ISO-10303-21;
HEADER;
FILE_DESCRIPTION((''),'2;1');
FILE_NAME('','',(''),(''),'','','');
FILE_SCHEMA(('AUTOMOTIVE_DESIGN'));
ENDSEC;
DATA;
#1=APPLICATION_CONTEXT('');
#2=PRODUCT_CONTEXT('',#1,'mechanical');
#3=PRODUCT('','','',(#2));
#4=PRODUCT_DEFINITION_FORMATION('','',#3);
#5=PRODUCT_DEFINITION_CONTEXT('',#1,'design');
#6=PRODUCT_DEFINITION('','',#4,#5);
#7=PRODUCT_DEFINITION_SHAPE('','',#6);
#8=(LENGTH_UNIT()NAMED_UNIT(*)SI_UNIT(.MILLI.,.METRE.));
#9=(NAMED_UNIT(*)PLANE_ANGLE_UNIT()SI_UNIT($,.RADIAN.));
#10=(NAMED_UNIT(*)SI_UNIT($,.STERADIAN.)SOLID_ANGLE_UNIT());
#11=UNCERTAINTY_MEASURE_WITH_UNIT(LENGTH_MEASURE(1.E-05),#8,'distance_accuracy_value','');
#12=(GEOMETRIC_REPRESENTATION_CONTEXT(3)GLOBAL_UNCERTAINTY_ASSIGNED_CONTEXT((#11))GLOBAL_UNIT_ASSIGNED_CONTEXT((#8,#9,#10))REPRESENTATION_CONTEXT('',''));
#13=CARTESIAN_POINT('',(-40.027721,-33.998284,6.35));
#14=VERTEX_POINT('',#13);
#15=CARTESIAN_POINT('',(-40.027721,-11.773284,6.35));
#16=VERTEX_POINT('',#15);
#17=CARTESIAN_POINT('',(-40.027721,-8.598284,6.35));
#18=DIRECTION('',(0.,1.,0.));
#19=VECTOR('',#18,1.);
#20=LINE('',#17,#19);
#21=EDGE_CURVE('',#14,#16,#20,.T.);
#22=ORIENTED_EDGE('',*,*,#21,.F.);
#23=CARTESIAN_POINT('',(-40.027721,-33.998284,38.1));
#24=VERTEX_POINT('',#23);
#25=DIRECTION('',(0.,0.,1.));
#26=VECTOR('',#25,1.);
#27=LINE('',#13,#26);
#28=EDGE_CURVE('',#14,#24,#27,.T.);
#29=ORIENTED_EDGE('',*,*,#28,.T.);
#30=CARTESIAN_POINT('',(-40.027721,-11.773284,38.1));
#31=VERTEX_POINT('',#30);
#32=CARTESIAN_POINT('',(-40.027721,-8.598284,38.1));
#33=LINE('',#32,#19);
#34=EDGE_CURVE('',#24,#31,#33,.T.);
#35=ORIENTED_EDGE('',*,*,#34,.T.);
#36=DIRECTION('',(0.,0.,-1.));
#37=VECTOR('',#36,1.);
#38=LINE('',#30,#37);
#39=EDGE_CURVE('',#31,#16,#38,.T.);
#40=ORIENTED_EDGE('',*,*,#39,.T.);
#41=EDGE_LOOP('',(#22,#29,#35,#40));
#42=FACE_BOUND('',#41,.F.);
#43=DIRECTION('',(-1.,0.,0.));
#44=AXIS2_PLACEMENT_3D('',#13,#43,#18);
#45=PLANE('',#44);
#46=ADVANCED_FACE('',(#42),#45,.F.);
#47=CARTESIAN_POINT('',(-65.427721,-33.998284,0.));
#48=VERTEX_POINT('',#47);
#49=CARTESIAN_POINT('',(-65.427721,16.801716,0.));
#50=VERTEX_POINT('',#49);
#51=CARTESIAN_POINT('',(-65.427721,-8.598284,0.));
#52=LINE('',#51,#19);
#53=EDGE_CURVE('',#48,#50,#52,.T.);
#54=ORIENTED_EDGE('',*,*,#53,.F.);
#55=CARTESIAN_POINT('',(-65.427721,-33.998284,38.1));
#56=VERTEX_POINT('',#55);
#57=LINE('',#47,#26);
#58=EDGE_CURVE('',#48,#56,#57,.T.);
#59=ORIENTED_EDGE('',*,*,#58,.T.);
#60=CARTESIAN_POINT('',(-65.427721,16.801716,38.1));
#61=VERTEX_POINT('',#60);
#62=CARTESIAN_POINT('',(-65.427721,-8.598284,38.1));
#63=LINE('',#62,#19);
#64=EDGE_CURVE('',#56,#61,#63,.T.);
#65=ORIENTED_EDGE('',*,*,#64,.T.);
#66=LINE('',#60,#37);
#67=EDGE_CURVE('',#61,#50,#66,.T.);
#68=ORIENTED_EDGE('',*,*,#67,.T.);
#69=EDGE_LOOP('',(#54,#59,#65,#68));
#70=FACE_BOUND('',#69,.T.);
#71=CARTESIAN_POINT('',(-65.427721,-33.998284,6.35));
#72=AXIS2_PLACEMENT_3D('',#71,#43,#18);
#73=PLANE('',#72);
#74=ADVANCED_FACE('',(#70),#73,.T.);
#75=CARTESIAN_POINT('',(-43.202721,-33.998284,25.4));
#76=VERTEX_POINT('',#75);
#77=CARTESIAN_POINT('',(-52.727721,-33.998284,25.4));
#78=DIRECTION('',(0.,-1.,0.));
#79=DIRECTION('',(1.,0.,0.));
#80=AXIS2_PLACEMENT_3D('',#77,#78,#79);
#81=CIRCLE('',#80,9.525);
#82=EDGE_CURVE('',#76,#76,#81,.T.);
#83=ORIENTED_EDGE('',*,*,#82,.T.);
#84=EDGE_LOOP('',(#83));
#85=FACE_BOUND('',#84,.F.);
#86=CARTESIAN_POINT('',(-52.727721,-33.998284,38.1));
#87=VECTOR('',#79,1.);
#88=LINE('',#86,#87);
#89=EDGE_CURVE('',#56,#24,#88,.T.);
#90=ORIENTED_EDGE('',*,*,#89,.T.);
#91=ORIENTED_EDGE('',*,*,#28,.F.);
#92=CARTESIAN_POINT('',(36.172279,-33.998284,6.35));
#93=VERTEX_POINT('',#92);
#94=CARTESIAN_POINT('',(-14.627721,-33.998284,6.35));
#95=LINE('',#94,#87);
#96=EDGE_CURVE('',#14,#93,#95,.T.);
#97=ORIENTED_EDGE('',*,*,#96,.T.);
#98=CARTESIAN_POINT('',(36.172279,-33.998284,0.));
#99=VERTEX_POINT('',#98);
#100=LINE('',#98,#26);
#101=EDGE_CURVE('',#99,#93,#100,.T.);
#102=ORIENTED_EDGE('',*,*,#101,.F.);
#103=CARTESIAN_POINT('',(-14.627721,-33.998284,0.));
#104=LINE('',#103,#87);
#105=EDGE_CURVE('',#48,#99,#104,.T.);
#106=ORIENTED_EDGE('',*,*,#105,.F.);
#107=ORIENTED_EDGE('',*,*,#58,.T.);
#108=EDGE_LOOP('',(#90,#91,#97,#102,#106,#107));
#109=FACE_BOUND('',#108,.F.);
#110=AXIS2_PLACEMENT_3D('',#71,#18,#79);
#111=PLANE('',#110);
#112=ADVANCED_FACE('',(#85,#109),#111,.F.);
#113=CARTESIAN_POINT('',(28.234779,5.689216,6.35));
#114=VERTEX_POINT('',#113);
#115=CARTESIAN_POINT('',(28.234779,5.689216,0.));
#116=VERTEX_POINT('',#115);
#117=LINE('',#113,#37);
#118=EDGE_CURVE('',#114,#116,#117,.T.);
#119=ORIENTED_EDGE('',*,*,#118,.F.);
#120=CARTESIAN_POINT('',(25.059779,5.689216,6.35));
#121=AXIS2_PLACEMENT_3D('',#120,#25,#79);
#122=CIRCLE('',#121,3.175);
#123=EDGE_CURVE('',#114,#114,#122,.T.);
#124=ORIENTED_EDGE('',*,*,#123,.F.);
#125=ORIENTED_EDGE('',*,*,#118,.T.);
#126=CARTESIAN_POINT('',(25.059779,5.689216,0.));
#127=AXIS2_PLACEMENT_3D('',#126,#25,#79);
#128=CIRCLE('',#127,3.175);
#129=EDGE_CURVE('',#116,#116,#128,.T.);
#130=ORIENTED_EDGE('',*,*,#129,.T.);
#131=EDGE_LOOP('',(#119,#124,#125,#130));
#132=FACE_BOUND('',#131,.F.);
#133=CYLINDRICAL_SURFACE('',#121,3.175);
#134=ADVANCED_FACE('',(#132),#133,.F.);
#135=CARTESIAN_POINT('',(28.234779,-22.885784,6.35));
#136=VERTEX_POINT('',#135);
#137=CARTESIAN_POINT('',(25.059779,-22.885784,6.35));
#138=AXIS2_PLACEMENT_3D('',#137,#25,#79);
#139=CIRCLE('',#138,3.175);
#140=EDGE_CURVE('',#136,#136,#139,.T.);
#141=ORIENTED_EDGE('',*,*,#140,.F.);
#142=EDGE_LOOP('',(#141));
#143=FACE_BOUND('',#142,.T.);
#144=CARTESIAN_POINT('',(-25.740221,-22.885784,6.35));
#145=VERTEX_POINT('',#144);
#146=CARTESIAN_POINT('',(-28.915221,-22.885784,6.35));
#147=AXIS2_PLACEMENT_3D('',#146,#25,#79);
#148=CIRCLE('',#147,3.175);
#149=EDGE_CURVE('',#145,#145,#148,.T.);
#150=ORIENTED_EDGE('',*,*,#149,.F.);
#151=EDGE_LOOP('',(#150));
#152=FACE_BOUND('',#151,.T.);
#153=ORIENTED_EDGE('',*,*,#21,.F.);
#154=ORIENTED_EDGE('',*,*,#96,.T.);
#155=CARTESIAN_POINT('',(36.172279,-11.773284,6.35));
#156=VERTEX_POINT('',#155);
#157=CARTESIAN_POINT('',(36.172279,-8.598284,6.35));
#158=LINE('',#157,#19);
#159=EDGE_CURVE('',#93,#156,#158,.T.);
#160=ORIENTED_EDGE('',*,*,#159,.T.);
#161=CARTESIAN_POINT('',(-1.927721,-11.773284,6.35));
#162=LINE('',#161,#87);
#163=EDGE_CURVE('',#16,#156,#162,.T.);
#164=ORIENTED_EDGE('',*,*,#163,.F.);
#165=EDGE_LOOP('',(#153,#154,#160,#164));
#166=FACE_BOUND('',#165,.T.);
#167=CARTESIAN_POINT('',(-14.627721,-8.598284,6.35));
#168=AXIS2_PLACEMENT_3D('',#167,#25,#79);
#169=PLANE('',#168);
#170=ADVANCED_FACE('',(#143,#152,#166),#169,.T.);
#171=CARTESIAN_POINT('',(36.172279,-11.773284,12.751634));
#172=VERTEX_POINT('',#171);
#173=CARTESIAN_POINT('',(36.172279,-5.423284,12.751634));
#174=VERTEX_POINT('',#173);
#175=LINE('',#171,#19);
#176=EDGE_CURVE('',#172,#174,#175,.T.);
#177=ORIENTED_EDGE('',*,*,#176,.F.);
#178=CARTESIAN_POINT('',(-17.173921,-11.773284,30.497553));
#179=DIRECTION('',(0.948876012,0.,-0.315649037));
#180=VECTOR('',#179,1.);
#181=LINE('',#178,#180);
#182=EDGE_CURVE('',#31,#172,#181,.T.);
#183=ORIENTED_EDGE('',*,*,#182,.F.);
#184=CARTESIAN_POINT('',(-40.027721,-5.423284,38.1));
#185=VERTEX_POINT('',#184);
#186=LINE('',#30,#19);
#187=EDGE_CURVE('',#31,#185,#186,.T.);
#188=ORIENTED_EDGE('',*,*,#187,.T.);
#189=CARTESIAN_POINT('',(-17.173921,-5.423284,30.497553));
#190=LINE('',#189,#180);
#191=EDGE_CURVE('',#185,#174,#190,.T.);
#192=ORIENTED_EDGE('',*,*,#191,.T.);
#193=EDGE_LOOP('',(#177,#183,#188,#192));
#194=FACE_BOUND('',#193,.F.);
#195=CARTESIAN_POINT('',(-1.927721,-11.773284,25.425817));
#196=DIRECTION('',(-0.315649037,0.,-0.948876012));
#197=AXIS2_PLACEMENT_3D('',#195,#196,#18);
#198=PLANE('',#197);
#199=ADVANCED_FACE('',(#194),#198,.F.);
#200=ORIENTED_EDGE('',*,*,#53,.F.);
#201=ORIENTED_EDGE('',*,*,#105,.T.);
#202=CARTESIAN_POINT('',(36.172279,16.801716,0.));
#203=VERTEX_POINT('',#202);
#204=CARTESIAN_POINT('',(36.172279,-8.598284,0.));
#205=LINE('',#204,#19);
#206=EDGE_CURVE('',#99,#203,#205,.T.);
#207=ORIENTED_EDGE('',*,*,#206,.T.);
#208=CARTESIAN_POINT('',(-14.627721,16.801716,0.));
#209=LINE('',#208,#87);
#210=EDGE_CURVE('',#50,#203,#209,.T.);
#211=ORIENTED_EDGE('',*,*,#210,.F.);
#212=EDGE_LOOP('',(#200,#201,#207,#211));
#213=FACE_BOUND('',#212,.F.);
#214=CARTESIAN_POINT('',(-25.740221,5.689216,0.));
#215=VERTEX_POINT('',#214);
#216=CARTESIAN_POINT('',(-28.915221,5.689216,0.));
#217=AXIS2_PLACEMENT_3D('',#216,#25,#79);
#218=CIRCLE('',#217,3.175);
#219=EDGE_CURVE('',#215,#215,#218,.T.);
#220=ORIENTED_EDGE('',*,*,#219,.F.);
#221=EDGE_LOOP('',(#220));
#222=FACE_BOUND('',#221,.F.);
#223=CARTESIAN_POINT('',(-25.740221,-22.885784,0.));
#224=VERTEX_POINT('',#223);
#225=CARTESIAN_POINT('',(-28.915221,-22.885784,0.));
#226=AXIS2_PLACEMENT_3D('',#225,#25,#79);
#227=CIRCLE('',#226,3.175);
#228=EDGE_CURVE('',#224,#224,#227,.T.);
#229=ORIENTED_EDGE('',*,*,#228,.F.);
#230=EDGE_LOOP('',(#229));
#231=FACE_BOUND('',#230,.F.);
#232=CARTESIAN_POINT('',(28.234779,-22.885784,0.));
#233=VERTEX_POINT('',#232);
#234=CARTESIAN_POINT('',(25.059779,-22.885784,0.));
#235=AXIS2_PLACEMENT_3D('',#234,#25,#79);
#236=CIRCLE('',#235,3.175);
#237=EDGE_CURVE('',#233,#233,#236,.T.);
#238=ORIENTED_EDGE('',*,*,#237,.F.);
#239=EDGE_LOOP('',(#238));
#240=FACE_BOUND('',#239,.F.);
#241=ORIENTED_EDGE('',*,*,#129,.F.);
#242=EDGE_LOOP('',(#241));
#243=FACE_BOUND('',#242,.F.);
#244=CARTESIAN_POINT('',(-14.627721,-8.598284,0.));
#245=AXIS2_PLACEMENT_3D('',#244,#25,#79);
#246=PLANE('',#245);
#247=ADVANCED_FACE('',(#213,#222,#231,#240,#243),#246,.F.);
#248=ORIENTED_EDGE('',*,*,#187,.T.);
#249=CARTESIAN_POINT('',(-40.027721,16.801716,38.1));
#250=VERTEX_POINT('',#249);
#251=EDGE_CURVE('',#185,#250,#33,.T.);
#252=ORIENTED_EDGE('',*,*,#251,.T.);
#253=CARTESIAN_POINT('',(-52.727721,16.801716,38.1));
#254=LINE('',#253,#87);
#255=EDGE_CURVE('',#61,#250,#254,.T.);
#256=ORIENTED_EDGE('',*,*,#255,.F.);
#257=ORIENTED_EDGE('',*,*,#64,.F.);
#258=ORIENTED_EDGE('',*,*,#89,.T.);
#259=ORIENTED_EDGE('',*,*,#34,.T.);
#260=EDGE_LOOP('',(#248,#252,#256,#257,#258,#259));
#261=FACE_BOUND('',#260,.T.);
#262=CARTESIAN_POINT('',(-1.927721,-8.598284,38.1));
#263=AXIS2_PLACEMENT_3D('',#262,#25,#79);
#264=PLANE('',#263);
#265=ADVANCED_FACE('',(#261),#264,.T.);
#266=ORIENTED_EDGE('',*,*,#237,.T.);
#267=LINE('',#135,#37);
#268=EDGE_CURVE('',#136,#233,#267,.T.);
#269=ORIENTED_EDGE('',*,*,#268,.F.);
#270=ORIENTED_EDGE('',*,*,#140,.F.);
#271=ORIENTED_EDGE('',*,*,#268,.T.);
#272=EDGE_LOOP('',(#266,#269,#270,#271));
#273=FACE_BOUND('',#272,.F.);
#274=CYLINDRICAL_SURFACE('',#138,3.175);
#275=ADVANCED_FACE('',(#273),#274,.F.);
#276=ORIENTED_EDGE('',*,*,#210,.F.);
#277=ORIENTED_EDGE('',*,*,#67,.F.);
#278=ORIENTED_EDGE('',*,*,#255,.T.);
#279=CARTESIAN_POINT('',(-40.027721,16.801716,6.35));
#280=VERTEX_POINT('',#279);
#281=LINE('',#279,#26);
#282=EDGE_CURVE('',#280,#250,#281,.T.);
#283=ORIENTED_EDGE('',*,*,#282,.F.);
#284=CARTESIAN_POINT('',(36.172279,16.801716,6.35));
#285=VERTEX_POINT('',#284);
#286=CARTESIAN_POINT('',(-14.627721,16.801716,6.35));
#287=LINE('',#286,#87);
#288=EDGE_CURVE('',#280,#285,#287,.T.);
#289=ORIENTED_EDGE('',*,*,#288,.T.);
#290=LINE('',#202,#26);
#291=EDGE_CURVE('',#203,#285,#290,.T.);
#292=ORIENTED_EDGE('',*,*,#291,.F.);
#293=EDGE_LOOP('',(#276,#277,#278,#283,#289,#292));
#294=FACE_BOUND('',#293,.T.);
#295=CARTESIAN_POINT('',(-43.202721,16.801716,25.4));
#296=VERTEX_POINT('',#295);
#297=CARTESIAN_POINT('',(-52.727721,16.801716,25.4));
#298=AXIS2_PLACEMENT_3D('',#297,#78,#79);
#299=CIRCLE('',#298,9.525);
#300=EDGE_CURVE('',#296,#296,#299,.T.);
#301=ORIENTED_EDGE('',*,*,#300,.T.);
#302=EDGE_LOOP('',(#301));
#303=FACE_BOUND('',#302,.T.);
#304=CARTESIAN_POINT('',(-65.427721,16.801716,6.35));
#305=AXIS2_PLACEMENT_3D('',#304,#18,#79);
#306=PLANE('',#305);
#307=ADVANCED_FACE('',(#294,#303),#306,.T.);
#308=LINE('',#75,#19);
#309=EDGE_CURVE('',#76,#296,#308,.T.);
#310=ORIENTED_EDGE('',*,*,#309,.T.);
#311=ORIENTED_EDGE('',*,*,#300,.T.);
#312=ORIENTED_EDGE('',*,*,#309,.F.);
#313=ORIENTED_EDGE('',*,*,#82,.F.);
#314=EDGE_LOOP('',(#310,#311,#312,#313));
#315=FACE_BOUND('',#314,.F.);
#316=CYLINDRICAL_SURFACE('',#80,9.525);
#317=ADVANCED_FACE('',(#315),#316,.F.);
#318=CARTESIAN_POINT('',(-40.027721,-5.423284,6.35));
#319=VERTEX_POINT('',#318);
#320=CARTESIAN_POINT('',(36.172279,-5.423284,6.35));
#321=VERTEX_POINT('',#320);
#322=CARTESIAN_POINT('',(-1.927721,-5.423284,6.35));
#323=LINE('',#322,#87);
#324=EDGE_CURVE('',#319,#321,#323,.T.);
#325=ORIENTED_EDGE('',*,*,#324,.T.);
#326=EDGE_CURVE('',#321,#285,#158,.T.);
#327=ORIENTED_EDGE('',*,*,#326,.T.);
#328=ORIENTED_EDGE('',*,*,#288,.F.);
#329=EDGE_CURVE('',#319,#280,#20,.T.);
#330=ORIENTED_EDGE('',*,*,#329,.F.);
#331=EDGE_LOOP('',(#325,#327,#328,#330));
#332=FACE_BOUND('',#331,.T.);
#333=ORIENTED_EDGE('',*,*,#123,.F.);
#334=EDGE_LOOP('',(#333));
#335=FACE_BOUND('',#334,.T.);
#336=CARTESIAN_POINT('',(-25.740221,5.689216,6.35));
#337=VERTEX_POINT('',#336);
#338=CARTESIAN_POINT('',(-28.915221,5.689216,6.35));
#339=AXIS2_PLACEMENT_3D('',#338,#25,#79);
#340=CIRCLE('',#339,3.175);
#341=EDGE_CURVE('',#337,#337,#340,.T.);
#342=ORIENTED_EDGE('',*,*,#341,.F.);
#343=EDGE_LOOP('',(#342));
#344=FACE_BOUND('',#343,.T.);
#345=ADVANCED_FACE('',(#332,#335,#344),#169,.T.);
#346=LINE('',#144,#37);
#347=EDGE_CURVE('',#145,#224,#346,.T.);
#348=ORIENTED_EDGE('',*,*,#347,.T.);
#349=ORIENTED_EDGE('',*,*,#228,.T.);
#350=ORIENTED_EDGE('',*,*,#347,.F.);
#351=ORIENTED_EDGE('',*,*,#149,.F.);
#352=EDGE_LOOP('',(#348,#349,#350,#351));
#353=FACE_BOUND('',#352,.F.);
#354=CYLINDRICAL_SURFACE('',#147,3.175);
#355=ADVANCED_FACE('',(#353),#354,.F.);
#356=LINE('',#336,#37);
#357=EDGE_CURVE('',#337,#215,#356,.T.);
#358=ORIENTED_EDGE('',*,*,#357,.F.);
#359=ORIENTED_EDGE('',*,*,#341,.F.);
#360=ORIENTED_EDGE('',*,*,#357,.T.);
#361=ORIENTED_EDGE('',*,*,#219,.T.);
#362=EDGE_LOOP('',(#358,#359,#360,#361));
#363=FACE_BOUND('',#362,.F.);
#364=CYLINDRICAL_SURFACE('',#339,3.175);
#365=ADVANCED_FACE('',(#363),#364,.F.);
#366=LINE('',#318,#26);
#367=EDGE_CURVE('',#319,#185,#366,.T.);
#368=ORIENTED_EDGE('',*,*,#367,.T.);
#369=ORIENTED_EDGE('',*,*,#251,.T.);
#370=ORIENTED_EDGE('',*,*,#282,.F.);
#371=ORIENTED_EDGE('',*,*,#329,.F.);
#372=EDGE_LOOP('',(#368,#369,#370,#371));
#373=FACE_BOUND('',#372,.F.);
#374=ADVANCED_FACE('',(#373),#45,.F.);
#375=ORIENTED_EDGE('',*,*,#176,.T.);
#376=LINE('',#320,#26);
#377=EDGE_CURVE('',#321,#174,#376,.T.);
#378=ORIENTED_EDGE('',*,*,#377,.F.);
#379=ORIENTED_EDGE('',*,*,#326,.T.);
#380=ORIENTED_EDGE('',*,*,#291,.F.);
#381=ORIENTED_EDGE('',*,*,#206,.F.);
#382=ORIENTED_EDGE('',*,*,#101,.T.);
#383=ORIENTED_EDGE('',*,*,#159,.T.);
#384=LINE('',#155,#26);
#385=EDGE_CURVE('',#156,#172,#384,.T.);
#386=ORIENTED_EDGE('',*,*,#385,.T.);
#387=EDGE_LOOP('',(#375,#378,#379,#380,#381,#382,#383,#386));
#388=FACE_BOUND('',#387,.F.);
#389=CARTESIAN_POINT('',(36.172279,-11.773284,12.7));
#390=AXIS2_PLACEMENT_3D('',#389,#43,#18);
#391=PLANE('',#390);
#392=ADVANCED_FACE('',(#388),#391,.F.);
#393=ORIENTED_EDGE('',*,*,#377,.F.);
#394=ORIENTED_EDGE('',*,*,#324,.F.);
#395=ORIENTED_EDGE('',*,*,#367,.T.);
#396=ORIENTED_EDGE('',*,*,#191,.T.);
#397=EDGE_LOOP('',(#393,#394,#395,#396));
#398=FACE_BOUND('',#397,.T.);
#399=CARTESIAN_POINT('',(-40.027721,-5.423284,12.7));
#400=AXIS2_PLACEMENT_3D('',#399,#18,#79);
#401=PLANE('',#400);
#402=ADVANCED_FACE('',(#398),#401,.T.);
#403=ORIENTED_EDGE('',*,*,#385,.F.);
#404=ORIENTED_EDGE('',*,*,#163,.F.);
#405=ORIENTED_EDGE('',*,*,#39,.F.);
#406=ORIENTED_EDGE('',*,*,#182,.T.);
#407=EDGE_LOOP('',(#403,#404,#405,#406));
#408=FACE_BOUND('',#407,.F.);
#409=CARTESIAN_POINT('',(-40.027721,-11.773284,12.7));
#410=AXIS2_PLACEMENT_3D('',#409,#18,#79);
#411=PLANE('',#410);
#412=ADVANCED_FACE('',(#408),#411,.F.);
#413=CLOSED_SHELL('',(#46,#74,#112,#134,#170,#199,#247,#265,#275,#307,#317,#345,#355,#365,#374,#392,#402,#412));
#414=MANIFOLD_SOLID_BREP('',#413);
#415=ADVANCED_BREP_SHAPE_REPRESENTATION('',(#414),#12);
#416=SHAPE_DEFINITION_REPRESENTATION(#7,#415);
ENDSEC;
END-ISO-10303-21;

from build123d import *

# Parameters (mm, degrees)
F0_W      = 101.6
F0_H      = 50.8
F1_DEPTH  = 6.35
F2_W      = 25.4
F2_H      = 50.8
F3_DEPTH  = 31.75
F4_R      = 9.525
F5_DEPTH  = 50.801
F6_W      = 76.2
F6_H      = 6.35
F7_DEPTH  = 6.35
F8_DEPTH  = 25.4
F9_SIZE2  = 25.3483661935
F9_SIZE   = 76.2
F10_R     = 3.175
F11_DEPTH = 25.4
F12_R     = 3.175
F13_DEPTH = 25.4


with BuildPart() as f1:
    # F0 (on Top) → F1 (new body)
    with BuildSketch(Plane.XY):
        with Locations((-14.6277205467, -8.5982844889)):
            Rectangle(F0_W, F0_H)
    extrude(amount=F1_DEPTH)

    # F2 (on face) → F3 (join)
    with BuildSketch(Plane.XY.offset(6.35)):
        with Locations((-52.7277205467, -8.5982844889)):
            Rectangle(F2_W, F2_H)
    extrude(amount=F3_DEPTH)

    # F4 (on face) → F5 (cut, through all)
    with BuildSketch(Plane.XZ.offset(33.9982844889)):
        with Locations((-52.7277205467, 25.4)):
            Circle(F4_R)
    extrude(amount=-F5_DEPTH, mode=Mode.SUBTRACT)

    # F6 (on face) → F7 (join)
    with BuildSketch(Plane.XY.offset(6.35)):
        with Locations((-1.9277205467, -8.5982844889)):
            Rectangle(F6_W, F6_H)
    extrude(amount=F7_DEPTH)

    # F8 (add): a face of the model
    f8_faces = [f1.faces().sort_by_distance(p)[0] for p in [
        (-1.9277205467, -8.5982844889, 12.7),
    ]]
    extrude(f8_faces, amount=F8_DEPTH)

    # F9
    f9_edges = [f1.edges().sort_by_distance(p)[0] for p in [
        (36.172279, -8.598284, 38.1),
    ]]
    f9_side = f1.faces().sort_by_distance((-38.873175, -8.598284, 38.1))[0]
    chamfer(f9_edges, length=F9_SIZE, length2=F9_SIZE2, reference=f9_side)

    # F10 (on face) → F11 (cut)
    with BuildSketch(Plane.XY.offset(6.35)):
        with Locations((25.0597794533, 5.6892155111)):
            Circle(F10_R)
        with Locations((-28.9152205467, 5.6892155111)):
            Circle(F10_R)
    extrude(amount=-F11_DEPTH, mode=Mode.SUBTRACT)

    # F12 (on face) → F13 (cut)
    with BuildSketch(Plane.XY.offset(6.35)):
        with Locations((-28.9152205467, -22.8857844889)):
            Circle(F12_R)
        with Locations((25.0597794533, -22.8857844889)):
            Circle(F12_R)
    extrude(amount=-F13_DEPTH, mode=Mode.SUBTRACT)


solid = f1.part
